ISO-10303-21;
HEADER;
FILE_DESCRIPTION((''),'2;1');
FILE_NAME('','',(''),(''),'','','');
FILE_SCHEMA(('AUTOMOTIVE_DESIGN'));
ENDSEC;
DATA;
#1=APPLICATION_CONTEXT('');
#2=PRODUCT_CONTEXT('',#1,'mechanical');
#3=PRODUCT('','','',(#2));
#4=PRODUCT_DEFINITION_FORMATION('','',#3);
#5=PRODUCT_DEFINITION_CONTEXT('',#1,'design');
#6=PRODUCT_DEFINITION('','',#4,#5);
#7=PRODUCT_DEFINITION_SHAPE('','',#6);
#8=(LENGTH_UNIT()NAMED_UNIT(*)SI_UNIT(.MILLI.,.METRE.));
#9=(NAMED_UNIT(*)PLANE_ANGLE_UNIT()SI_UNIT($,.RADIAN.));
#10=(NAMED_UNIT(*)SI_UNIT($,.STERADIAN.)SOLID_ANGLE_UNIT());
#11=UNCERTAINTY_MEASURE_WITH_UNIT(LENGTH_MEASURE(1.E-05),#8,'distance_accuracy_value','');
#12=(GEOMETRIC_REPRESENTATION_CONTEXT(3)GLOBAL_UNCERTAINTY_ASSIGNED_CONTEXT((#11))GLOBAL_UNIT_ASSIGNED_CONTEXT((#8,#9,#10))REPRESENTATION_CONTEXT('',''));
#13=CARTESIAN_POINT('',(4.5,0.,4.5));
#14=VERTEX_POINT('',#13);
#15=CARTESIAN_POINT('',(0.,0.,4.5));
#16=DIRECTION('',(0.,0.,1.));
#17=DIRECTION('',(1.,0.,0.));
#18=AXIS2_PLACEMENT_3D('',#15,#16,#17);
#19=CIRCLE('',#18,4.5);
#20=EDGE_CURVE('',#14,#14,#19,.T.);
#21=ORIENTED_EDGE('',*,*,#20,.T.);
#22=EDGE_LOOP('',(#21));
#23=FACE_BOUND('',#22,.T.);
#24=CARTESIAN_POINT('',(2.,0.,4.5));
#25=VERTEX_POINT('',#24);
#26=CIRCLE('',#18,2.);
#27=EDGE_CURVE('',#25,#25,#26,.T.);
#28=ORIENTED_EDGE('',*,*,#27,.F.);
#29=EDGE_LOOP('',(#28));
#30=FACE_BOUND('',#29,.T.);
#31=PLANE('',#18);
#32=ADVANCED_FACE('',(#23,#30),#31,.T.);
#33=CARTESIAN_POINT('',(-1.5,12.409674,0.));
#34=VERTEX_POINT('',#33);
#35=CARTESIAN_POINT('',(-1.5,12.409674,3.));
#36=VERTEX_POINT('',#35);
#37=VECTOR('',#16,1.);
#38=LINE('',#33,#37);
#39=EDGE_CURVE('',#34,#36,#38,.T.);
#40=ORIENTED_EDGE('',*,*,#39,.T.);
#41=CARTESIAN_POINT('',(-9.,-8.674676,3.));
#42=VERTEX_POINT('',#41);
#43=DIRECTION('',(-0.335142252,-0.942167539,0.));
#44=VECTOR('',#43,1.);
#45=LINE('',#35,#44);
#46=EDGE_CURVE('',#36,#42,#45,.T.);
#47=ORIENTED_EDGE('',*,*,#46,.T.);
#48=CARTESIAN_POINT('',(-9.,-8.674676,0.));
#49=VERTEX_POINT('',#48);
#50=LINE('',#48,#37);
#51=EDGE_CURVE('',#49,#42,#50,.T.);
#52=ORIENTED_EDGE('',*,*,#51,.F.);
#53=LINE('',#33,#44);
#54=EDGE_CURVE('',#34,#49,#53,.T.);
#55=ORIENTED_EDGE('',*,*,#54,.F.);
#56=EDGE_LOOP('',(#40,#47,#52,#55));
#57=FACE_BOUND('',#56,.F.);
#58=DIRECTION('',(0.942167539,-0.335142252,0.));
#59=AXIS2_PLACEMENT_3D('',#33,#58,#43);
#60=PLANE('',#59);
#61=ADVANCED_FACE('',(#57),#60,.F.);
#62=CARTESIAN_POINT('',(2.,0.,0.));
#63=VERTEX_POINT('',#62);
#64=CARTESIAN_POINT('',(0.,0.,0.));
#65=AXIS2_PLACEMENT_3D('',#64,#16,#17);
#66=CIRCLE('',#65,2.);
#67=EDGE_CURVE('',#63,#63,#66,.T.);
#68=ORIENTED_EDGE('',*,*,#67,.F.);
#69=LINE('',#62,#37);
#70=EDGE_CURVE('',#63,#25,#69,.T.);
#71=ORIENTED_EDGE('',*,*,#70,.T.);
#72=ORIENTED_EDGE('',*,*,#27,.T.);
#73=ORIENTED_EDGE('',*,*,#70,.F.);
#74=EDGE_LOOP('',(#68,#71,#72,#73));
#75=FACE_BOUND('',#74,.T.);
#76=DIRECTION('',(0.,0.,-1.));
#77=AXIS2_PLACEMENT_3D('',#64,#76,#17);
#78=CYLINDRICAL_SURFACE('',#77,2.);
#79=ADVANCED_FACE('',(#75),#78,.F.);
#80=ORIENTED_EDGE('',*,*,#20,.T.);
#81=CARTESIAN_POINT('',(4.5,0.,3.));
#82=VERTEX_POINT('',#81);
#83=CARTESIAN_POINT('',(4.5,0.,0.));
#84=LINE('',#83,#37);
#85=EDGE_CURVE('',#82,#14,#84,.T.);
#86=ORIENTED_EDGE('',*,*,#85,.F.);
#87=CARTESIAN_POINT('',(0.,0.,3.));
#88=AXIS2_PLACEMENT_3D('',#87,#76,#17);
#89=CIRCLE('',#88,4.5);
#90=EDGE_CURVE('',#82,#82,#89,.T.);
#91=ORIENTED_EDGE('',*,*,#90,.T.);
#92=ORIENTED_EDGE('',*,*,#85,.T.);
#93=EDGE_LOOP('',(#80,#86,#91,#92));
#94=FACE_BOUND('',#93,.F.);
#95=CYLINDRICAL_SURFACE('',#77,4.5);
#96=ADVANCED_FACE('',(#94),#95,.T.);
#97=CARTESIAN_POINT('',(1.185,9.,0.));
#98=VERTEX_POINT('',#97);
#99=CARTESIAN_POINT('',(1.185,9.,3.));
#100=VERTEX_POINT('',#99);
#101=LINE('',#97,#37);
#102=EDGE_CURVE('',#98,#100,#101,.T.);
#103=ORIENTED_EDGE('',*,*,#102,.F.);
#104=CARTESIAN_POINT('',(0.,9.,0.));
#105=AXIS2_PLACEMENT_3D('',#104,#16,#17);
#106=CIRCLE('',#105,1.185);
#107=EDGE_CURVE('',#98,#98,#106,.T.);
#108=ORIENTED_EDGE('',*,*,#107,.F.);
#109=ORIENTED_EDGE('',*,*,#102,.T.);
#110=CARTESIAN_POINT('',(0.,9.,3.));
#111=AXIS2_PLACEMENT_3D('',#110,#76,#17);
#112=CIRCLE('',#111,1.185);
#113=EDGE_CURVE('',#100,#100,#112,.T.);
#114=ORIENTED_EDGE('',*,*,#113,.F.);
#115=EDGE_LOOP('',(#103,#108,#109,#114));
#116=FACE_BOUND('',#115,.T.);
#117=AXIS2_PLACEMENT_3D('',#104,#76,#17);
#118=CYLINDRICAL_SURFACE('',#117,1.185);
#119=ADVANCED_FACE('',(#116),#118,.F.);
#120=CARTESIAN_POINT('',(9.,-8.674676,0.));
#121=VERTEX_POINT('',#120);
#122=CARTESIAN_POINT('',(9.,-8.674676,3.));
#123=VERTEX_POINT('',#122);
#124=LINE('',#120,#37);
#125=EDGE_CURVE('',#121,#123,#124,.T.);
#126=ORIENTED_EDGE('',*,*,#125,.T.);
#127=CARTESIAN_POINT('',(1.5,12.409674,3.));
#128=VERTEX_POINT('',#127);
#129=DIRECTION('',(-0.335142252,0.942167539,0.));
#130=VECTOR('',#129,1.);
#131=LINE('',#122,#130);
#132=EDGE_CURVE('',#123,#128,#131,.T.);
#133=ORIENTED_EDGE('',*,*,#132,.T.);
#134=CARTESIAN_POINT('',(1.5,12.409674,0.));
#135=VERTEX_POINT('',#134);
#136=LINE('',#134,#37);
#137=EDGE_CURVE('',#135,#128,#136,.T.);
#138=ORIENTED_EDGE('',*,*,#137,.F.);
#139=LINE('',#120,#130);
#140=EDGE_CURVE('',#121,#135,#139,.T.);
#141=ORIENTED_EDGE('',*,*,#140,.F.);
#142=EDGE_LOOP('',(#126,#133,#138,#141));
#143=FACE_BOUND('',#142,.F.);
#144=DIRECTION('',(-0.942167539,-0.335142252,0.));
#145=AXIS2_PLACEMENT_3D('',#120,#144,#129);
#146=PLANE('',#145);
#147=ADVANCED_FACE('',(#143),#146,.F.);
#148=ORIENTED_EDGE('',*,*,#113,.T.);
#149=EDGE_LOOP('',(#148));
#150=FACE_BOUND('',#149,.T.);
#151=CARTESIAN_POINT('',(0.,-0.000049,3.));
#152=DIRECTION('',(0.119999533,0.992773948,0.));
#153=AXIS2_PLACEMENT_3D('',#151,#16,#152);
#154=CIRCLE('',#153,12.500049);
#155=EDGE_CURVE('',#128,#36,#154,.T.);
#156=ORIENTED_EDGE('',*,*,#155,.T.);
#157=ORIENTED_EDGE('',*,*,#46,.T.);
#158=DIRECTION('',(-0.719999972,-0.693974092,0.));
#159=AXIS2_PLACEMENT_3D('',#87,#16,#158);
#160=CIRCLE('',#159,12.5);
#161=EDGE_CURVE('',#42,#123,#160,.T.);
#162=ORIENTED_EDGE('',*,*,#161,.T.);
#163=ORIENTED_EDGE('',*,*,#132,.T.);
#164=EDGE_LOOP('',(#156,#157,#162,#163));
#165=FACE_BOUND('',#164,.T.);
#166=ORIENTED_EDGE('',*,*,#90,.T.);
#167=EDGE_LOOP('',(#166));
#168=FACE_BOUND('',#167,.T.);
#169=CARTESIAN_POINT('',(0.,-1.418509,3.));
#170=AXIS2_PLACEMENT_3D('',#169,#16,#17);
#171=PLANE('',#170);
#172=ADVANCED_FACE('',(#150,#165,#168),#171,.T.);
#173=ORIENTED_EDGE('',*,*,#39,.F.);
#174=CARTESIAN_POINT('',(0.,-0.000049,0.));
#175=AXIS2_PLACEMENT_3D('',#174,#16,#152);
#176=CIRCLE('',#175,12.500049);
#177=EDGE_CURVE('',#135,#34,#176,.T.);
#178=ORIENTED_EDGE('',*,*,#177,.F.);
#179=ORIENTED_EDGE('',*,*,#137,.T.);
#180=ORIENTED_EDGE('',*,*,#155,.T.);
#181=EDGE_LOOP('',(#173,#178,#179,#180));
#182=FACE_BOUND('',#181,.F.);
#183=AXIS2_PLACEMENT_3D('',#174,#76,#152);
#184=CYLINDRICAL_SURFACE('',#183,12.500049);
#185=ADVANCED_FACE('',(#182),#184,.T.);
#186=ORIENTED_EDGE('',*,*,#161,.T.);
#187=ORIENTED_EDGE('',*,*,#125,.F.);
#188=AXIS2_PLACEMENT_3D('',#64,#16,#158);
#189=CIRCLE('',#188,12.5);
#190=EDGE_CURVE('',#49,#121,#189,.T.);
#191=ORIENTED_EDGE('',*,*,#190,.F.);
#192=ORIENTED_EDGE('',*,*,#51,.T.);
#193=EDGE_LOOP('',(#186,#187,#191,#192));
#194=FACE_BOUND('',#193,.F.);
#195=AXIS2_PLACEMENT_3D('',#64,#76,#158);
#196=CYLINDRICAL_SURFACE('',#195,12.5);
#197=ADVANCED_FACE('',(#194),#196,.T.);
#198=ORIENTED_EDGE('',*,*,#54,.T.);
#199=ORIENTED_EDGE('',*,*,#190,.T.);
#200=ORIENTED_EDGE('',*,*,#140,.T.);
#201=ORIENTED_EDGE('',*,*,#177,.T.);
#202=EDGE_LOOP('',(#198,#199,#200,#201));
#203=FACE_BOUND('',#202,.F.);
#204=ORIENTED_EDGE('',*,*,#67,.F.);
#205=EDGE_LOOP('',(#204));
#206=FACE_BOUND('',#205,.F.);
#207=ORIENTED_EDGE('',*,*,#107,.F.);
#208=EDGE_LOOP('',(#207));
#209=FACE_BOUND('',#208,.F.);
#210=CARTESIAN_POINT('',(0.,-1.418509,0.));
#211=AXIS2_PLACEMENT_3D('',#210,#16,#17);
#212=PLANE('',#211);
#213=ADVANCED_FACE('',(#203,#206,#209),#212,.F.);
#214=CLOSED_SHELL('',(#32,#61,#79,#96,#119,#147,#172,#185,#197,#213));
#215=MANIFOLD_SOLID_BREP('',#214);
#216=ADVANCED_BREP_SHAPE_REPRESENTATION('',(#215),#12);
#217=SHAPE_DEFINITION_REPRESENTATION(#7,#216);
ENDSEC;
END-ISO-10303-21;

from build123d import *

# Parameters (mm, degrees)
F0_R     = 4.5
F0_R_2   = 2
F2_DEPTH = 3
F1_R     = 1.185
F3_DEPTH = 25
F4_DEPTH = 4.5


with BuildPart() as f2:
    # F0 (on Top) → F2 (new body)
    with BuildSketch(Plane.XY):
        with BuildLine():
            Line((-1.5, 12.409674), (-9, -8.674676))
            ThreePointArc((-9, -8.674676), (0, -12.5), (9, -8.674676))
            Line((9, -8.674676), (1.5, 12.409674))
            ThreePointArc((1.5, 12.409674), (0, 12.5), (-1.5, 12.409674))
        make_face()
        Circle(F0_R, mode=Mode.SUBTRACT)
        Circle(F0_R)
        Circle(F0_R_2, mode=Mode.SUBTRACT)
    extrude(amount=F2_DEPTH)

    # F1 (on Top) → F3 (cut)
    with BuildSketch(Plane.XY):
        with Locations((0, 9)):
            Circle(F1_R)
    extrude(amount=F3_DEPTH, mode=Mode.SUBTRACT)

    # F0 (on Top) → F4 (join)
    with BuildSketch(Plane.XY):
        Circle(F0_R)
        Circle(F0_R_2, mode=Mode.SUBTRACT)
    extrude(amount=F4_DEPTH)


solid = f2.part
